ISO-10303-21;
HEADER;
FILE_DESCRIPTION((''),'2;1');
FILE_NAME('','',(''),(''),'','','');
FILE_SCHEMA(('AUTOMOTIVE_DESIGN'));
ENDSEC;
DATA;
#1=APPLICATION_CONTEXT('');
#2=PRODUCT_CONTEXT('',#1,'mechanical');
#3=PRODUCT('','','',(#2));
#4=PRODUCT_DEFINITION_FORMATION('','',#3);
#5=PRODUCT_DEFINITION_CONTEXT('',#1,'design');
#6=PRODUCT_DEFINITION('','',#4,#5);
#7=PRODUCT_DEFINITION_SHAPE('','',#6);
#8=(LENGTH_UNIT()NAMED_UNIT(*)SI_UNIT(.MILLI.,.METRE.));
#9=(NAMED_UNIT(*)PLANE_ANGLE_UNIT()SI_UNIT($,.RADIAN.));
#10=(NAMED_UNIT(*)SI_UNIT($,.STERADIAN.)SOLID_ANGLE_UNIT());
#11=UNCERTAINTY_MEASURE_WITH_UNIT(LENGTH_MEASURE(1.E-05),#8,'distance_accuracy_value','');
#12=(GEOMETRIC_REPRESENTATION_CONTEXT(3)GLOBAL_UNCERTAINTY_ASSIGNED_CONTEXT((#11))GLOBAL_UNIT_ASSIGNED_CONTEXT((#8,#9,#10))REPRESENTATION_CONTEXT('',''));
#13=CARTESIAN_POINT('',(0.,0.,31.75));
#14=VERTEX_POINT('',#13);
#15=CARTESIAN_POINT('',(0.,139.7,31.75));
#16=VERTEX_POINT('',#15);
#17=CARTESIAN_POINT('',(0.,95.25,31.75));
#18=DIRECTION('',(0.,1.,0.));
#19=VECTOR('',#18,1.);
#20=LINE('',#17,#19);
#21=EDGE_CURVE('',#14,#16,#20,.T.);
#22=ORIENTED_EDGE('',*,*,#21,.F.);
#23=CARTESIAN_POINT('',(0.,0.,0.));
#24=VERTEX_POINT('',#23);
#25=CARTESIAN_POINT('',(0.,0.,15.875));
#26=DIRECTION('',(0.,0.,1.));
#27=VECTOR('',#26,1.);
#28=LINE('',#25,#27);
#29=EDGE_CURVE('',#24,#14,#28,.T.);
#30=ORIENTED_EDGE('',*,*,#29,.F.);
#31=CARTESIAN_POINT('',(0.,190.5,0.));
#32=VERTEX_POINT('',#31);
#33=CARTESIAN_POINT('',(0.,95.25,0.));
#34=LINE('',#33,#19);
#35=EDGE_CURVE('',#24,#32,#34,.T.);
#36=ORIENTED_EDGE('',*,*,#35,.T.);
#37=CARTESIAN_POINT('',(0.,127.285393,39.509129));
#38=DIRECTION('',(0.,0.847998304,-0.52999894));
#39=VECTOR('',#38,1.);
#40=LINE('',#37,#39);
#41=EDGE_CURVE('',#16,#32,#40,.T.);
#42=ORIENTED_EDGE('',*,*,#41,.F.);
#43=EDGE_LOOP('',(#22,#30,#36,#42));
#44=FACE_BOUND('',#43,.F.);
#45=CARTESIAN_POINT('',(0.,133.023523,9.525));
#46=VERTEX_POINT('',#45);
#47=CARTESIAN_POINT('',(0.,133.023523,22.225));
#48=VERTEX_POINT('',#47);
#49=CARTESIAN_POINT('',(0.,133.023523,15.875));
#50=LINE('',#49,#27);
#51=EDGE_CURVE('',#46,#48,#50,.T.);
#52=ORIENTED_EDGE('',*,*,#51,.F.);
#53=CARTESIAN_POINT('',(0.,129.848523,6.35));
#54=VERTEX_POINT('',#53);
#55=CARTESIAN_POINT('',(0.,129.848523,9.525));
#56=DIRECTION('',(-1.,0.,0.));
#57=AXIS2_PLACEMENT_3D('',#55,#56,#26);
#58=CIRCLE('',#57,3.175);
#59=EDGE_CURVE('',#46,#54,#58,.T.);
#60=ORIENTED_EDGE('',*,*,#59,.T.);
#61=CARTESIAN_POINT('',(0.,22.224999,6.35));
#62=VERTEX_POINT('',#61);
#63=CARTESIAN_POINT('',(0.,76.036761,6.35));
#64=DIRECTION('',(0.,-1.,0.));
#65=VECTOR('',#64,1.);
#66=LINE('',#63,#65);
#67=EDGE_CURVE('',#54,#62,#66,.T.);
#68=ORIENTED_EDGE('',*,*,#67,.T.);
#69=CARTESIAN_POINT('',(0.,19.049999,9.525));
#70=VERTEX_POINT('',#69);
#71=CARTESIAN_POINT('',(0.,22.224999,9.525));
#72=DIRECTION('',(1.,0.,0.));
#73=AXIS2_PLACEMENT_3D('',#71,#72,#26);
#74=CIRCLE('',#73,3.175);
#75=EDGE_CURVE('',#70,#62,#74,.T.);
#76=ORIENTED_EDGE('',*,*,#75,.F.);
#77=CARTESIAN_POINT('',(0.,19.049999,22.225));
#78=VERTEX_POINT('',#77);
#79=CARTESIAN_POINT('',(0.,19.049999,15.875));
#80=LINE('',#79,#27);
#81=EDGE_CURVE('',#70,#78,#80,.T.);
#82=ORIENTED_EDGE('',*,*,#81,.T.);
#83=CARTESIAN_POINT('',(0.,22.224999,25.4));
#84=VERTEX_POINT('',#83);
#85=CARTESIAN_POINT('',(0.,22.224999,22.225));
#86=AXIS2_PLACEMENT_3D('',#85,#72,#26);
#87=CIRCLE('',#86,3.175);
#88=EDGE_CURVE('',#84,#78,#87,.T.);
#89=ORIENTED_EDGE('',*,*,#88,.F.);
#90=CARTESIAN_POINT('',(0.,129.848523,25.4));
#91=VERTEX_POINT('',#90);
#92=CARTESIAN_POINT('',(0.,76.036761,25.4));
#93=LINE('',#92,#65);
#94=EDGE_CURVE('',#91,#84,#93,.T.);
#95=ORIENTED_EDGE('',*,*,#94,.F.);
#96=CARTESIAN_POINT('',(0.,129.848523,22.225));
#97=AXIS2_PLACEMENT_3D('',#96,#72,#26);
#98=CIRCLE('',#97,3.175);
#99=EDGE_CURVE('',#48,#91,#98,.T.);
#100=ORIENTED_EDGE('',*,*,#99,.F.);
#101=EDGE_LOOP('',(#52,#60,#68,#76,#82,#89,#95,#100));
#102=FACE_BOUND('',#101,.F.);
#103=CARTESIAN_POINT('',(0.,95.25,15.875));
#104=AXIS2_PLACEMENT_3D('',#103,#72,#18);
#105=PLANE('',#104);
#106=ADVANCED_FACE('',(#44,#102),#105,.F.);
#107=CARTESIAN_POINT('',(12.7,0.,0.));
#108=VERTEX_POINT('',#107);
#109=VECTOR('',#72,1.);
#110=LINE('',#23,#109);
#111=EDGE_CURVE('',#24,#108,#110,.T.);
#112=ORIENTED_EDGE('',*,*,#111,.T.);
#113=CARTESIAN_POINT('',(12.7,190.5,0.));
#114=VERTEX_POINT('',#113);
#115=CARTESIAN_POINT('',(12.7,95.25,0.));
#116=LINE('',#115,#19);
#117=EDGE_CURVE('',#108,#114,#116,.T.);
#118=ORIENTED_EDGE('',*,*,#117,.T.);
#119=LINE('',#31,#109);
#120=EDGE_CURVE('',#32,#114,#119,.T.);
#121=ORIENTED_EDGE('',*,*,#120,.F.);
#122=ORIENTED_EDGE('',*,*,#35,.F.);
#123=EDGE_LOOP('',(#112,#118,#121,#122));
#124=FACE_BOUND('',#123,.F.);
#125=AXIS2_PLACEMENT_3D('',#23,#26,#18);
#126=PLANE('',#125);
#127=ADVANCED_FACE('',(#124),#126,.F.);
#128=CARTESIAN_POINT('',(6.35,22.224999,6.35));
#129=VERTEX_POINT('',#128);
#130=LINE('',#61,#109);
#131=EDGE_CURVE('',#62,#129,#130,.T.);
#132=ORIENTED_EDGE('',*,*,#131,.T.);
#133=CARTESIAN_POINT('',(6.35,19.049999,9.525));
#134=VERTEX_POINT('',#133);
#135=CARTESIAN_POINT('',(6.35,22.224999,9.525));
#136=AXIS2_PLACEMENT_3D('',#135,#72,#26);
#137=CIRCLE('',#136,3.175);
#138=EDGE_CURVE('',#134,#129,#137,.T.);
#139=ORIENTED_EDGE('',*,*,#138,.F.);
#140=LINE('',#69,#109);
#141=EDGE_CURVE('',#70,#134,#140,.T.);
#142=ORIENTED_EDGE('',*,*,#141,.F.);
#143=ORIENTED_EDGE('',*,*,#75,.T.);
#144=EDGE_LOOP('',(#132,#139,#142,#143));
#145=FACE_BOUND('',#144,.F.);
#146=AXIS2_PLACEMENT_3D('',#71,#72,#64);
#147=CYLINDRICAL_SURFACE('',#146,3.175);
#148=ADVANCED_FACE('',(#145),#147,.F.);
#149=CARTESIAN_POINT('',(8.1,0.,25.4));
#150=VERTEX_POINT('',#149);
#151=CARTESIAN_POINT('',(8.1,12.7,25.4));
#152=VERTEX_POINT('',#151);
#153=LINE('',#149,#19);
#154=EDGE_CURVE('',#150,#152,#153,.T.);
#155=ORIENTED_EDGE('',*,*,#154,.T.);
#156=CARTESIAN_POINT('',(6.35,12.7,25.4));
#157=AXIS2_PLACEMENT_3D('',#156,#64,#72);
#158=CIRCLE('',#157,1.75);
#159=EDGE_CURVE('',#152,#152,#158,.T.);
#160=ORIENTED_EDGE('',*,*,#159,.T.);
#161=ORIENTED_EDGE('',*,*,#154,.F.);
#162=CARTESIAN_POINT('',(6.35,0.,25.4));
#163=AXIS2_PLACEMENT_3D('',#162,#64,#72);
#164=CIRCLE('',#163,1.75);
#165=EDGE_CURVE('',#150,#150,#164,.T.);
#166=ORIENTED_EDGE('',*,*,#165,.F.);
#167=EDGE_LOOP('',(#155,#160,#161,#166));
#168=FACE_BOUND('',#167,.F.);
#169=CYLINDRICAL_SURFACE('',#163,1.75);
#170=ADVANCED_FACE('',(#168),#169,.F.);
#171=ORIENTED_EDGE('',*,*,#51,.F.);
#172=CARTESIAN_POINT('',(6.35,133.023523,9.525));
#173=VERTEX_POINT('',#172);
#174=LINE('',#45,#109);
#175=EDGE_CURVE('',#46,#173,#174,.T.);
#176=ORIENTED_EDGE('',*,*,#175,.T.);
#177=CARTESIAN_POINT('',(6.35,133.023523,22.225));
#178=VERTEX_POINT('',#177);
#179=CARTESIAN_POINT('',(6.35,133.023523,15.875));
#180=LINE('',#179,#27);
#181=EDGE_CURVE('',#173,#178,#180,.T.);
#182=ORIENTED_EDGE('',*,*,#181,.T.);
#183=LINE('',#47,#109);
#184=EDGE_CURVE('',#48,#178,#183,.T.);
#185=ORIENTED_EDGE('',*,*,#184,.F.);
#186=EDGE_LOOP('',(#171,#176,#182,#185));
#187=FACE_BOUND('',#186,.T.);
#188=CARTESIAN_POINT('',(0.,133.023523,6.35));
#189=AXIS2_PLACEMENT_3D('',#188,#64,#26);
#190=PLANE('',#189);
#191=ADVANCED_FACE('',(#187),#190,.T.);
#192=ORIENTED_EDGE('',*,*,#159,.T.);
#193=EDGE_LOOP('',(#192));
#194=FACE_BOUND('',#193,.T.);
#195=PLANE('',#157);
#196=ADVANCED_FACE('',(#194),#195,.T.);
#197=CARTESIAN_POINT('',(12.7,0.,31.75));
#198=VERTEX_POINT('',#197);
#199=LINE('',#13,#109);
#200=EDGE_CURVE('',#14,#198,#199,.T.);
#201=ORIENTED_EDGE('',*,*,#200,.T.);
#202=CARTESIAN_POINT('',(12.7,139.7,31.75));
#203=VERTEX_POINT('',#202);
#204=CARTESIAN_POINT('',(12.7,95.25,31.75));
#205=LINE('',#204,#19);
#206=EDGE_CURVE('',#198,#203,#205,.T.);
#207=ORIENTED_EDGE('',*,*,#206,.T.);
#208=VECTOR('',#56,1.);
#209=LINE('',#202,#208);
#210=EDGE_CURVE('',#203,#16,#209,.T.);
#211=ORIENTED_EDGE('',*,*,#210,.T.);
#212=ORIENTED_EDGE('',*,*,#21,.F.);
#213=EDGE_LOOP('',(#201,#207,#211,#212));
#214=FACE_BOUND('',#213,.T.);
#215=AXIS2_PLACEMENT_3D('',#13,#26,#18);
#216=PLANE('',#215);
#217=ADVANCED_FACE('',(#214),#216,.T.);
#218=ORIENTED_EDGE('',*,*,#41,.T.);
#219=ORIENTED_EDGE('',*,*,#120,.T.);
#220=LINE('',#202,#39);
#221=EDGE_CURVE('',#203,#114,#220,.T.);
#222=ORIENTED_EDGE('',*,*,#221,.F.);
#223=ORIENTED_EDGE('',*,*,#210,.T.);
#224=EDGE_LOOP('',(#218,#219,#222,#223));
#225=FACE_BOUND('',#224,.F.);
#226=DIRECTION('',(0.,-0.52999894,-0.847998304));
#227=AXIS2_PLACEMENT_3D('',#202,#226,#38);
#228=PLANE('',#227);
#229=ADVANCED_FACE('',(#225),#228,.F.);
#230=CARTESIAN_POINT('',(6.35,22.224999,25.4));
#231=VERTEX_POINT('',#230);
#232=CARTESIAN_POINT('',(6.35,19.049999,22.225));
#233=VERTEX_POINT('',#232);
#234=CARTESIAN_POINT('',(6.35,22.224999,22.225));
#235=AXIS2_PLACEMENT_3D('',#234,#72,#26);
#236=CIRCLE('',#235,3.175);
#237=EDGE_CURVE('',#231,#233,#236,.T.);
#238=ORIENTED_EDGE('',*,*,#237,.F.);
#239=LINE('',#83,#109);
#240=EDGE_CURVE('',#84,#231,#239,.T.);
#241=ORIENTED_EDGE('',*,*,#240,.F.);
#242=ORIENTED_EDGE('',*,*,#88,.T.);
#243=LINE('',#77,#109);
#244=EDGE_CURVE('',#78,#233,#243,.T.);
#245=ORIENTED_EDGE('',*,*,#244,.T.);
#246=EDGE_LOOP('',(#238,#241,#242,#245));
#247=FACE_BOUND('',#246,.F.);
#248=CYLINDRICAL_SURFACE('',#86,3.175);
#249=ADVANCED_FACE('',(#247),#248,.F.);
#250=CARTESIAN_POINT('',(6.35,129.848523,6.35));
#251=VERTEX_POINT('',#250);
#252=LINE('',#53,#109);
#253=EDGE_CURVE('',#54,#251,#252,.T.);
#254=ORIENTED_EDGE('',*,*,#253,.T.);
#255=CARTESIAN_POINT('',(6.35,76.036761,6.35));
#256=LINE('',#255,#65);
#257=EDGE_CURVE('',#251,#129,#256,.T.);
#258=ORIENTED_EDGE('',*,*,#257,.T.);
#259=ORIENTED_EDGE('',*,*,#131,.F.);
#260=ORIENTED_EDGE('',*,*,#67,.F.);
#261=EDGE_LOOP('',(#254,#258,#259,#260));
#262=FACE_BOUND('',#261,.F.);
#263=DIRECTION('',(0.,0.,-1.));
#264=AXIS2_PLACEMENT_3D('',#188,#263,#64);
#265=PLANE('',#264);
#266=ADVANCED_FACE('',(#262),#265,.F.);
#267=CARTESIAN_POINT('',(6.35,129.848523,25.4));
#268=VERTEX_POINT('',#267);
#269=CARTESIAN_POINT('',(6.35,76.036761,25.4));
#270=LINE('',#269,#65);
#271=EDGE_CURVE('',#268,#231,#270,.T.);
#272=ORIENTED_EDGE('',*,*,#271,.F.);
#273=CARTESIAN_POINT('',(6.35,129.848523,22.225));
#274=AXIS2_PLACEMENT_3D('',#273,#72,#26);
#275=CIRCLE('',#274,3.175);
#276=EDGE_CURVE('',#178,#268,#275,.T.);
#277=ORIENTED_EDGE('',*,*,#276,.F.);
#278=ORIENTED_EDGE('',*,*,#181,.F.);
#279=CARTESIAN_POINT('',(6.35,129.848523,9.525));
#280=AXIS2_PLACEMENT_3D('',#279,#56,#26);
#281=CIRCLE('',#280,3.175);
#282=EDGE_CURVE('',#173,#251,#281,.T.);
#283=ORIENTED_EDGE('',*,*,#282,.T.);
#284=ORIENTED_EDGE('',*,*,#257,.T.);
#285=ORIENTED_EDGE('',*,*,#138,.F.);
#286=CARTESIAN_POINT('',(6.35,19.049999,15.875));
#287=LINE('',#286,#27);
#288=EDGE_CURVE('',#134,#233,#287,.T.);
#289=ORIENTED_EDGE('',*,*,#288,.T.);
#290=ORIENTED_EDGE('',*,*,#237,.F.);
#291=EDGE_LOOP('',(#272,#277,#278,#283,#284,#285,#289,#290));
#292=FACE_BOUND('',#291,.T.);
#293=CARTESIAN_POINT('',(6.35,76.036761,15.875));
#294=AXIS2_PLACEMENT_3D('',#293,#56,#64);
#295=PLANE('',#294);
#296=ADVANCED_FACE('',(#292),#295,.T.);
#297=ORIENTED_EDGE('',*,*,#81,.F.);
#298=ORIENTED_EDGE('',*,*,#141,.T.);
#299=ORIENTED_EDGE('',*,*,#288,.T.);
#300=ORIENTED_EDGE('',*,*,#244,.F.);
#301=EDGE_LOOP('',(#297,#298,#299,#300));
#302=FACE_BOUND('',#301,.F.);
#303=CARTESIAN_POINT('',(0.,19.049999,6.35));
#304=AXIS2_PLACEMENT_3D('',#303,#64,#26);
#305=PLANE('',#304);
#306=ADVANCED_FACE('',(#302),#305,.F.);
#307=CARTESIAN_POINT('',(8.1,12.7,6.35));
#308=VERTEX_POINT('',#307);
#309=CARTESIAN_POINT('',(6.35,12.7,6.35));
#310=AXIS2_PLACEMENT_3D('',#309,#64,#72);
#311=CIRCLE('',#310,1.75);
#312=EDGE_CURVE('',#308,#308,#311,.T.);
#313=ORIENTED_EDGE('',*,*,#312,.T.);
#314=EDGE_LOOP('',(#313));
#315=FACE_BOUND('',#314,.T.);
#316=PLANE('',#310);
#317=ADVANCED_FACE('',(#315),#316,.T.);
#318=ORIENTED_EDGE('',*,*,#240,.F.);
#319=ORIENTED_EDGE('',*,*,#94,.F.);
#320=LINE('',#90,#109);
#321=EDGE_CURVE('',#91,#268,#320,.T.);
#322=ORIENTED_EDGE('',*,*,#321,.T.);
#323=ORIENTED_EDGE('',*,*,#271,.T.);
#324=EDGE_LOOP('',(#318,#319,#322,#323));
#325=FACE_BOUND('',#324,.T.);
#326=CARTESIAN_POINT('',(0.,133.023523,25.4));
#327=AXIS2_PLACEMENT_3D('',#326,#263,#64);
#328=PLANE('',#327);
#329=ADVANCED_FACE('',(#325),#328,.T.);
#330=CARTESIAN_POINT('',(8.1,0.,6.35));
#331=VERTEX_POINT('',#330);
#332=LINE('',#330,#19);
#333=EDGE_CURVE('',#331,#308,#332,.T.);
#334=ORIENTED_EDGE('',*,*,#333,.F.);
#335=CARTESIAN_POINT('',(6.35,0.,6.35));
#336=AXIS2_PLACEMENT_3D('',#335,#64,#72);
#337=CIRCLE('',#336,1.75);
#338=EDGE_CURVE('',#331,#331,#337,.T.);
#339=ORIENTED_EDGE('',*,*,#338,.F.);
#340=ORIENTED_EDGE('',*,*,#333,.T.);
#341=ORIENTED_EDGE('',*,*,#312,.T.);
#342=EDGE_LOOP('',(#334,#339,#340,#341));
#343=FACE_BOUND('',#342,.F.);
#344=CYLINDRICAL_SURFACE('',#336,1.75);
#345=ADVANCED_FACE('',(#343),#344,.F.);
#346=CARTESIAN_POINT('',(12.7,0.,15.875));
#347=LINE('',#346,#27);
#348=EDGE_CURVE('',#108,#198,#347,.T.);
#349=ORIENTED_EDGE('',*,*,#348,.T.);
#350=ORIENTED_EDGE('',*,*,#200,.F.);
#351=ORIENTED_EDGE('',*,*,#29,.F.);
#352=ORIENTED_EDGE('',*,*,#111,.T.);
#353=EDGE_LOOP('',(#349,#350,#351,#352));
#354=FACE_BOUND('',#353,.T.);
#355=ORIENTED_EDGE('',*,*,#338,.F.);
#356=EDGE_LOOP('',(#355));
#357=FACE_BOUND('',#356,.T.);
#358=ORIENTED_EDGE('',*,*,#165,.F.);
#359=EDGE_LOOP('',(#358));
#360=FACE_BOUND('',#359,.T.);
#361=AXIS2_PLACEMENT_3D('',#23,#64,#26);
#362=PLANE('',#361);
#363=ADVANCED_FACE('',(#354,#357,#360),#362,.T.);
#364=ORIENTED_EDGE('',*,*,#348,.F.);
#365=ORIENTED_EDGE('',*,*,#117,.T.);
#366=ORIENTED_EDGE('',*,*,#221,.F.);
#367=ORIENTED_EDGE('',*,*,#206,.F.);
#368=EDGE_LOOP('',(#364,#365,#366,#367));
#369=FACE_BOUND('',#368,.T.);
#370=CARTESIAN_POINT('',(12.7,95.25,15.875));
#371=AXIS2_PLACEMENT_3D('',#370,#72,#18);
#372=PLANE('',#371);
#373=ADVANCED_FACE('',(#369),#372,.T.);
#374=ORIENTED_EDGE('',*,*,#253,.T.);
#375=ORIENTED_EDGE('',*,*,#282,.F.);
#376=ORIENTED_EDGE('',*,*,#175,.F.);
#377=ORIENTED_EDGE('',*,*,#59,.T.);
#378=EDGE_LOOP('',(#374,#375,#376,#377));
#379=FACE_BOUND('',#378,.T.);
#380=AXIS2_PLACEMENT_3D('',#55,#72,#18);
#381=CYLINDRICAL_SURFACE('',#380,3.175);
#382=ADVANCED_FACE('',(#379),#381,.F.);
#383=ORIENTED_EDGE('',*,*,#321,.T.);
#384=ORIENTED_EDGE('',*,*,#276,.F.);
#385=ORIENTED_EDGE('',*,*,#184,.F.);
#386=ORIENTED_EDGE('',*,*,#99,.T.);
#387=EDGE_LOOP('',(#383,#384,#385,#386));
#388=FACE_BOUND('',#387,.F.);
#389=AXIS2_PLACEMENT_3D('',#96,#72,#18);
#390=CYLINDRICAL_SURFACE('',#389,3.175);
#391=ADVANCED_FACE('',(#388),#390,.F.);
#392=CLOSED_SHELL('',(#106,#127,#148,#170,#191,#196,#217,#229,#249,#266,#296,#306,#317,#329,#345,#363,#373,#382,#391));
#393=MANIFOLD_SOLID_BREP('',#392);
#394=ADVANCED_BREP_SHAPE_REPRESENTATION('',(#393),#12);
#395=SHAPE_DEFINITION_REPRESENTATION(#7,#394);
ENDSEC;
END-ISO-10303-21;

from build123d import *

# Parameters (mm, degrees)
F0_W     = 190.5
F0_H     = 31.75
F1_DEPTH = 12.7
F3_DEPTH = 25.4
F4_R     = 1.75
F5_DEPTH = 12.7
F6_W     = 113.973523
F6_H     = 19.05
F7_DEPTH = 6.35
F8_R     = 3.175


with BuildPart() as f1:
    # F0 (on Right) → F1 (new body)
    with BuildSketch(Plane.YZ):
        with Locations((95.25, 15.875)):
            Rectangle(F0_W, F0_H)
    extrude(amount=F1_DEPTH)

    # F2 (on face) → F3 (cut)
    with BuildSketch(Plane.YZ.offset(12.7)):
        Polygon((139.7, 31.75), (190.5, 0), (190.5, 31.75), align=None)
    extrude(amount=-F3_DEPTH, mode=Mode.SUBTRACT)

    # F4 (on face) → F5 (cut)
    with BuildSketch(Plane.XZ):
        with Locations((6.35, 6.35)):
            Circle(F4_R)
        with Locations((6.35, 25.4)):
            Circle(F4_R)
    extrude(amount=-F5_DEPTH, mode=Mode.SUBTRACT)

    # F6 (on face) → F7 (cut)
    with BuildSketch(Plane(origin=(0, 0, 0), x_dir=(0, -1, 0), z_dir=(-1, 0, 0))):
        with Locations((-76.036761, 15.875)):
            Rectangle(F6_W, F6_H)
    extrude(amount=-F7_DEPTH, mode=Mode.SUBTRACT)

    # F8
    f8_edges = [f1.edges().sort_by_distance(p)[0] for p in [
        (3.175, 133.023523, 25.4),
        (3.175, 19.05, 25.4),
        (3.175, 19.05, 6.35),
        (3.175, 133.023523, 6.35),
    ]]
    fillet(f8_edges, radius=F8_R)


solid = f1.part
